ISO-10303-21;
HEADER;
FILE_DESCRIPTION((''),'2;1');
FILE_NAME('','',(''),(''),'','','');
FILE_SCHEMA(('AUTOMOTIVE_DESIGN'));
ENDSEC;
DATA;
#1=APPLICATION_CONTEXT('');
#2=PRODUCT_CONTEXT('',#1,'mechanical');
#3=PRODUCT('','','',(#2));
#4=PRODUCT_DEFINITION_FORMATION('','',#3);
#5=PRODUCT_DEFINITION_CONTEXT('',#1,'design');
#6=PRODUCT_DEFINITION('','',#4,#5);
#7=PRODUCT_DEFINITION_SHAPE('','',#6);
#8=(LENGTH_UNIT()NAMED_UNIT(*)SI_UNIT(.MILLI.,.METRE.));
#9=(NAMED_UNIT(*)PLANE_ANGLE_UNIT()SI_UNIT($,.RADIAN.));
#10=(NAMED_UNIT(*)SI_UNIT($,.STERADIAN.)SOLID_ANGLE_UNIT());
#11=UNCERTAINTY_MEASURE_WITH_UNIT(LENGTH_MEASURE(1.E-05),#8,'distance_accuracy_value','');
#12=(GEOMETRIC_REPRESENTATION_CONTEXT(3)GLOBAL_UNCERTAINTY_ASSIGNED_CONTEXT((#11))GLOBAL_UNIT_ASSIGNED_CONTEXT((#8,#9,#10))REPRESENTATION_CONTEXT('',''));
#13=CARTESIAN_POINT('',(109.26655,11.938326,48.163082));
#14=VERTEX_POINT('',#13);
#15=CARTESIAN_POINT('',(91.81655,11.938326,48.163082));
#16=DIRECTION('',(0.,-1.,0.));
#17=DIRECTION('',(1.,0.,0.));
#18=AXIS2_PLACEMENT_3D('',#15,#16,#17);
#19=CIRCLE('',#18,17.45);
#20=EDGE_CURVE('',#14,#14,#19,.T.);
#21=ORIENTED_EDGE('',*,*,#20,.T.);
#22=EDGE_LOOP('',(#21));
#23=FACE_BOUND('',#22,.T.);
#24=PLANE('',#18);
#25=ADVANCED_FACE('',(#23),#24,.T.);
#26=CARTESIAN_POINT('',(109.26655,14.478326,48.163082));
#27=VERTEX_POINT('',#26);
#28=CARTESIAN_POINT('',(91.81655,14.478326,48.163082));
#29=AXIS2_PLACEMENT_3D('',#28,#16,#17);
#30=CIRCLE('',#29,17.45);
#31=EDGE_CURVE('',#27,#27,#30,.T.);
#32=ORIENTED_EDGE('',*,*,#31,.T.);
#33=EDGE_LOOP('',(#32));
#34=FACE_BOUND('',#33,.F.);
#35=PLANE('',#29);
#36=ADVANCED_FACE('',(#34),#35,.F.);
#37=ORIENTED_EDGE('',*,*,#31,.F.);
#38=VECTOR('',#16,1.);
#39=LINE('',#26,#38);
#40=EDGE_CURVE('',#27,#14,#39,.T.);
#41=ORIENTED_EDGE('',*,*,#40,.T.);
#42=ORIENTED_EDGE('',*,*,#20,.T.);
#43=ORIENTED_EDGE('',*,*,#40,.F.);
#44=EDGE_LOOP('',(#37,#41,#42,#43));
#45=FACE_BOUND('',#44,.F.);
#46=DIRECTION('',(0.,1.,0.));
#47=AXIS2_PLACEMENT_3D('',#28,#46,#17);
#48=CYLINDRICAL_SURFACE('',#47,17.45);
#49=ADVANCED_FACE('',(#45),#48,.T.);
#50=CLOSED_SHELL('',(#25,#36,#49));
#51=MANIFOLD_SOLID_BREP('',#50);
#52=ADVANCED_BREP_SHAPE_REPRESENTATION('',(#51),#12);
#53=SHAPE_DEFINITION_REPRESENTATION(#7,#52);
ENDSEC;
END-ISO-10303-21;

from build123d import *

# Parameters (mm, degrees)
SKETCH1_R           = 17.45
BOSS_EXTRUDE1_DEPTH = 2.54


with BuildPart() as part:
    # Sketch1 → Boss-Extrude1 (new body)
    with BuildSketch(Plane.XZ.offset(-14.478326304)):
        with Locations((91.816549827, 48.163081659)):
            Circle(SKETCH1_R)
    extrude(amount=BOSS_EXTRUDE1_DEPTH)


solid = part.part
